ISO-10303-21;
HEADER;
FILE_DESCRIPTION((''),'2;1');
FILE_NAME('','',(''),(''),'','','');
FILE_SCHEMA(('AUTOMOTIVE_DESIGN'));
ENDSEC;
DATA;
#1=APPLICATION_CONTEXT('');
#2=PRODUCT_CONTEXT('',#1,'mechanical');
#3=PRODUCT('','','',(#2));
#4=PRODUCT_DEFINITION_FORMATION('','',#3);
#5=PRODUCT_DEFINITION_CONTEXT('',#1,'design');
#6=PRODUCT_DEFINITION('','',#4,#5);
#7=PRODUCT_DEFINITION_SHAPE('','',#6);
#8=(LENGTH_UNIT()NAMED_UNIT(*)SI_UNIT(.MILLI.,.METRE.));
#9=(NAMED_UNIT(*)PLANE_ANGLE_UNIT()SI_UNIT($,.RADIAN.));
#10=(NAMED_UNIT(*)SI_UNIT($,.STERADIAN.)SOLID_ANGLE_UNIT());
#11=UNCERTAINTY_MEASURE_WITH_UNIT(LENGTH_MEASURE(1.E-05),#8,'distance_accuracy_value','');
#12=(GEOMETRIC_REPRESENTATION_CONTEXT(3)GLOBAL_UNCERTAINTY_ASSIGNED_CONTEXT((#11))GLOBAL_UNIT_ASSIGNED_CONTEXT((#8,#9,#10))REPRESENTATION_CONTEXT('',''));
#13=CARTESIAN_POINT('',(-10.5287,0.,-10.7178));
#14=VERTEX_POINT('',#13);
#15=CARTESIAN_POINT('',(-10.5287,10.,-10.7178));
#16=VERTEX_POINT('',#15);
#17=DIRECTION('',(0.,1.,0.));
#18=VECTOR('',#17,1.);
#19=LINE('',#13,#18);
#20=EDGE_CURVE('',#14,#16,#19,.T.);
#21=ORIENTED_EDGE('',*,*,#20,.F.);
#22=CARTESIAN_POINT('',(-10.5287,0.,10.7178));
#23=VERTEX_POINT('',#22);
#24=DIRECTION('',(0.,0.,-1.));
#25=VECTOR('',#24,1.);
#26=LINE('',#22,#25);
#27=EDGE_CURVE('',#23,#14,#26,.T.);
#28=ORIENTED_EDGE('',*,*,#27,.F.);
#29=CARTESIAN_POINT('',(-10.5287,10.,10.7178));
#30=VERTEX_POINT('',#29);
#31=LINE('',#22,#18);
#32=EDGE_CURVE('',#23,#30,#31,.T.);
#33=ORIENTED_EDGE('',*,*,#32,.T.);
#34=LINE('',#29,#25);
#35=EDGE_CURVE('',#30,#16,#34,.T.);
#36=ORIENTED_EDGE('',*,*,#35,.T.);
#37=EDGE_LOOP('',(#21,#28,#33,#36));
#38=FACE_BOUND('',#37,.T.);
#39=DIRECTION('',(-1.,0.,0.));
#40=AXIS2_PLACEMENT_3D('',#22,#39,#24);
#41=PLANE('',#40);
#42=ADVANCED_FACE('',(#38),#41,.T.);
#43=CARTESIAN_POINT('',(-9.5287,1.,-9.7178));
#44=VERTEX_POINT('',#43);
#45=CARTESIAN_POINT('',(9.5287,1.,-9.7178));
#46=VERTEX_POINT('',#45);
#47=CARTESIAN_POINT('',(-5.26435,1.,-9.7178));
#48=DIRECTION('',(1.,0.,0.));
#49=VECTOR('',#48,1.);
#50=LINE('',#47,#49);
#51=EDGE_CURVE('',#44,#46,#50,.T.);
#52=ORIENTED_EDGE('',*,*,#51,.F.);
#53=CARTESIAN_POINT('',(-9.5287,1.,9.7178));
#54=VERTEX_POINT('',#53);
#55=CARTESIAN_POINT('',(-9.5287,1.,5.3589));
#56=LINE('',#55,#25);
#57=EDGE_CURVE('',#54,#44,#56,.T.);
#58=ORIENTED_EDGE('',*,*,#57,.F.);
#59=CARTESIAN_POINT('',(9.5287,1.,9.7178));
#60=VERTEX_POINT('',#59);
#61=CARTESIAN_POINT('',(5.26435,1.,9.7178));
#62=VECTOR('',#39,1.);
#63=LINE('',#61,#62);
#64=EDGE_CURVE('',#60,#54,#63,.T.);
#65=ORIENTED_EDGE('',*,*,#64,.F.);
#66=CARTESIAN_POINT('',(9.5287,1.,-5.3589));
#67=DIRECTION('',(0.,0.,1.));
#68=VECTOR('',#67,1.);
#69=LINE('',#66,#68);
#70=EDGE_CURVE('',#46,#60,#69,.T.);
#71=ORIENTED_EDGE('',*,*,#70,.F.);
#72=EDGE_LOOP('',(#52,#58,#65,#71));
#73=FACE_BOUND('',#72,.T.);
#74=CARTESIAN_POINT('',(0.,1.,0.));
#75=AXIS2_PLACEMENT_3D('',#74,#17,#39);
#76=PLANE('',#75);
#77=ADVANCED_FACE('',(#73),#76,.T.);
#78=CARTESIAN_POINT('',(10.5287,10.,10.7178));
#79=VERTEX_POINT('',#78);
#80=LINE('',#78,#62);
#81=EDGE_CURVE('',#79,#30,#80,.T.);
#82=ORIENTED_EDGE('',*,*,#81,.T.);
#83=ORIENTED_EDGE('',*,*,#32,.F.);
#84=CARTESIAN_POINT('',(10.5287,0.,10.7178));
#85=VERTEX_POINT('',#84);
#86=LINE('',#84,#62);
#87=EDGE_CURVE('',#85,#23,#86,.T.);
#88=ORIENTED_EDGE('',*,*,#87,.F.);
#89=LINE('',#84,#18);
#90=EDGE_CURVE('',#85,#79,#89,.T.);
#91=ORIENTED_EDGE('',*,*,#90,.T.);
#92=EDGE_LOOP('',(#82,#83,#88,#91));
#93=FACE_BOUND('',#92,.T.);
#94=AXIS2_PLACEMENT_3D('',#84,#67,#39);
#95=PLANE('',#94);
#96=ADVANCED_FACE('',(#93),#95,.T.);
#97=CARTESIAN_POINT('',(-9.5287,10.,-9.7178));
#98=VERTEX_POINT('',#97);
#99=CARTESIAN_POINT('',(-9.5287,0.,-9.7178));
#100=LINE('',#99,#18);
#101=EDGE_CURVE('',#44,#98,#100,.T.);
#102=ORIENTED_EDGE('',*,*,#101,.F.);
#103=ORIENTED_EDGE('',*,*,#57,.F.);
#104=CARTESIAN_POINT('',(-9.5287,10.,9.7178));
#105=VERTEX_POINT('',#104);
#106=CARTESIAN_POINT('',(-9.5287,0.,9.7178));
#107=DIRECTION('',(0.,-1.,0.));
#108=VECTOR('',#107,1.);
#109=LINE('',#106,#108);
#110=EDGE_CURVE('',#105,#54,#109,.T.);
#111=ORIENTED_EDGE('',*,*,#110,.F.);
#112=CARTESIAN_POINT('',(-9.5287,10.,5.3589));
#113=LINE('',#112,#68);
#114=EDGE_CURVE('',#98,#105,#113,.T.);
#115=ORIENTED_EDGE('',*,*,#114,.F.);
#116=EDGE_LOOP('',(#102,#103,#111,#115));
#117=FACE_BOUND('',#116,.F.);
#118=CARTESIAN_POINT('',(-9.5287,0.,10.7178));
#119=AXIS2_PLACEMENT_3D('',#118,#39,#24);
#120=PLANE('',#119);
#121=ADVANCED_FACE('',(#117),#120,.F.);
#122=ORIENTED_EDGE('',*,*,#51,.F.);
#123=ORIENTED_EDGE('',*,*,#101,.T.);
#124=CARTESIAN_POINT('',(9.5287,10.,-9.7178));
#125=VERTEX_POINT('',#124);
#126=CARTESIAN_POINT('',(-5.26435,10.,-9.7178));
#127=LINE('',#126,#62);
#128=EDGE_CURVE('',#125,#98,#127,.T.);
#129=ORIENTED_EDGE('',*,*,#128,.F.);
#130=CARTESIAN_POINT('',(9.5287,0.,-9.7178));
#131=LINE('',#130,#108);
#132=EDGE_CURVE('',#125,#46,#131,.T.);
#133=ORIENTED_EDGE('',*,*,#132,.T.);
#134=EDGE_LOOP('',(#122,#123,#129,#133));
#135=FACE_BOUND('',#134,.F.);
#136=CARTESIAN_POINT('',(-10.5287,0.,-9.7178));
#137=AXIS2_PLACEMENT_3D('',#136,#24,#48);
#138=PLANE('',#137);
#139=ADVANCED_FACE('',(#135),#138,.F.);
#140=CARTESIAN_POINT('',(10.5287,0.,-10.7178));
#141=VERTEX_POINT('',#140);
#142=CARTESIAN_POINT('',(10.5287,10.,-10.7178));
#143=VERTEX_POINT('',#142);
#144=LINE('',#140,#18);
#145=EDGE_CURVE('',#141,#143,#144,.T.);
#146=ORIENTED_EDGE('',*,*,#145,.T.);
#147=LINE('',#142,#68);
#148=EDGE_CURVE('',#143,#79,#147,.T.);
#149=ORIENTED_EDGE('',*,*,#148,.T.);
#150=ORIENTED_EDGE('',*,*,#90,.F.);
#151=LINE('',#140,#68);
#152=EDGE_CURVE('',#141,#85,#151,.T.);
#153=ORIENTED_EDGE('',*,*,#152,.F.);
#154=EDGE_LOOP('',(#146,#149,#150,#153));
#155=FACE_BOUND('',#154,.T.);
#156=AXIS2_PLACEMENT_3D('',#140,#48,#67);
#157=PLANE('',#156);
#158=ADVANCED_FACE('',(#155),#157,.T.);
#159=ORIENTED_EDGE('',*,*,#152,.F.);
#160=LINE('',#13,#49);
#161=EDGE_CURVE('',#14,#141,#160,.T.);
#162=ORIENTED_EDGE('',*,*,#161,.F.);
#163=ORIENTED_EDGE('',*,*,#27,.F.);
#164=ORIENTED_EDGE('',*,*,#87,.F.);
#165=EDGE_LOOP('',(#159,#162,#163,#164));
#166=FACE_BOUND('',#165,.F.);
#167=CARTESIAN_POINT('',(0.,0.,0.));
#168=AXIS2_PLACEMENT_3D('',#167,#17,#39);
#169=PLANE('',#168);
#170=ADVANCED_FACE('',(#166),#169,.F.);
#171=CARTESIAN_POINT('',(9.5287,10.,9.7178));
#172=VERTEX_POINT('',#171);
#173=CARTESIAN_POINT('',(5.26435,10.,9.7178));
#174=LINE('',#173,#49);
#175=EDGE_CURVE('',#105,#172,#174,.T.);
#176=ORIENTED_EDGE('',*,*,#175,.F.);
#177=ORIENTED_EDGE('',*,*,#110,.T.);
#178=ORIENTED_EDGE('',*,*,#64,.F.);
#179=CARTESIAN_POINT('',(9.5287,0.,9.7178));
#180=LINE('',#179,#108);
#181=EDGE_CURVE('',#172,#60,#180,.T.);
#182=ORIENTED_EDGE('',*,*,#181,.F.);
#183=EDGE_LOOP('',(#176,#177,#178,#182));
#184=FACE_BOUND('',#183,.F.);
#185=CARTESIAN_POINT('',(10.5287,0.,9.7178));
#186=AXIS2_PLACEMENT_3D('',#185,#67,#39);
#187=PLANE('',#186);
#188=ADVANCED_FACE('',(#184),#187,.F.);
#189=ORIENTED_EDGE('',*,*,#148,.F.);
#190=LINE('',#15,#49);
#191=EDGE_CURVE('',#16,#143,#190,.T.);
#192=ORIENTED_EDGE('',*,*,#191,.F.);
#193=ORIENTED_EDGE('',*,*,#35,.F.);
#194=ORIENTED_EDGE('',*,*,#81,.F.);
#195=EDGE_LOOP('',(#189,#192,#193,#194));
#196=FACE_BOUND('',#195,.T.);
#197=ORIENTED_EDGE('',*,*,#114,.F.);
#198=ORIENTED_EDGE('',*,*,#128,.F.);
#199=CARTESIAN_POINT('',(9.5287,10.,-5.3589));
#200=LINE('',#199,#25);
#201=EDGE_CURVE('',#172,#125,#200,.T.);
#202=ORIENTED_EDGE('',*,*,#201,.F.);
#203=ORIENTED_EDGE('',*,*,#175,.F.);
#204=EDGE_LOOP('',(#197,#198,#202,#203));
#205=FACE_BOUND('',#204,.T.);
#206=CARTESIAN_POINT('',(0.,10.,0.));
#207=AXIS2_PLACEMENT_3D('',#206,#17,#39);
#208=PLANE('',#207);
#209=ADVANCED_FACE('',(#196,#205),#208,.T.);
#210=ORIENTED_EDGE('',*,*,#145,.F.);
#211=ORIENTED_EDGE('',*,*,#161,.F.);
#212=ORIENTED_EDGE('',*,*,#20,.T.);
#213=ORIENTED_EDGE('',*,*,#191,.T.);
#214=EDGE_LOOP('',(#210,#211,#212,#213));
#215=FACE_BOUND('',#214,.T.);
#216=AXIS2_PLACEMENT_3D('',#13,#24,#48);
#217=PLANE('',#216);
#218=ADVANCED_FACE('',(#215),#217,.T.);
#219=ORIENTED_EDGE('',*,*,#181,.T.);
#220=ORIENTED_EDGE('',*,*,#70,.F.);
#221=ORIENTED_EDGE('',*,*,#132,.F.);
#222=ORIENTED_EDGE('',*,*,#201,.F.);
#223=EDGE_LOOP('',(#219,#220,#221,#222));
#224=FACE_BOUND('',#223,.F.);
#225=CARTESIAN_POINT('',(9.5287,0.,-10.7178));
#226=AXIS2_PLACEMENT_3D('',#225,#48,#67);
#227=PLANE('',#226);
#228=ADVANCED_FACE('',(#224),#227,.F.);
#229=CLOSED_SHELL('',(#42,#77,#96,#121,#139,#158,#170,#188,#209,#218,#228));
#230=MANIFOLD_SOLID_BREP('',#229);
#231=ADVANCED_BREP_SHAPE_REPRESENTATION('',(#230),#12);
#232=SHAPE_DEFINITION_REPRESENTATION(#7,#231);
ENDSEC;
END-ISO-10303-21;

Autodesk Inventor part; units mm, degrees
ref_plane "YZ Plane" through (0, 0, 0) normal (1, 0, 0) x (0, 1, 0)
ref_plane "XZ Plane" through (0, 0, 0) normal (0, 1, 0) x (-1, 0, 0)
ref_plane "XY Plane" through (0, 0, 0) normal (0, 0, 1) x (1, 0, 0)
sketch "Sketch1" plane through (0, 0, 0) normal (0, 1, 0) x (-1, 0, 0)
  line L0 (10.5287, -10.7178) -> (-10.5287, -10.7178)
  line L1 (-10.5287, -10.7178) -> (-10.5287, 10.7178)
  line L2 (-10.5287, 10.7178) -> (10.5287, 10.7178)
  line L3 (10.5287, 10.7178) -> (10.5287, -10.7178)
  line L4 (10.5287, -10.7178) -> (-10.5287, 10.7178) construction
  line L5 (-10.5287, -10.7178) -> (10.5287, 10.7178) construction
  point P0 (0, 0)
extrude "Extrusion1" add sketch "Sketch1" along normal blind 10
shell "Shell1" thickness 1 removed faces 1 at (-3.5096, 10, -3.5726)
properties part number "Midsurf - DiffThick"
